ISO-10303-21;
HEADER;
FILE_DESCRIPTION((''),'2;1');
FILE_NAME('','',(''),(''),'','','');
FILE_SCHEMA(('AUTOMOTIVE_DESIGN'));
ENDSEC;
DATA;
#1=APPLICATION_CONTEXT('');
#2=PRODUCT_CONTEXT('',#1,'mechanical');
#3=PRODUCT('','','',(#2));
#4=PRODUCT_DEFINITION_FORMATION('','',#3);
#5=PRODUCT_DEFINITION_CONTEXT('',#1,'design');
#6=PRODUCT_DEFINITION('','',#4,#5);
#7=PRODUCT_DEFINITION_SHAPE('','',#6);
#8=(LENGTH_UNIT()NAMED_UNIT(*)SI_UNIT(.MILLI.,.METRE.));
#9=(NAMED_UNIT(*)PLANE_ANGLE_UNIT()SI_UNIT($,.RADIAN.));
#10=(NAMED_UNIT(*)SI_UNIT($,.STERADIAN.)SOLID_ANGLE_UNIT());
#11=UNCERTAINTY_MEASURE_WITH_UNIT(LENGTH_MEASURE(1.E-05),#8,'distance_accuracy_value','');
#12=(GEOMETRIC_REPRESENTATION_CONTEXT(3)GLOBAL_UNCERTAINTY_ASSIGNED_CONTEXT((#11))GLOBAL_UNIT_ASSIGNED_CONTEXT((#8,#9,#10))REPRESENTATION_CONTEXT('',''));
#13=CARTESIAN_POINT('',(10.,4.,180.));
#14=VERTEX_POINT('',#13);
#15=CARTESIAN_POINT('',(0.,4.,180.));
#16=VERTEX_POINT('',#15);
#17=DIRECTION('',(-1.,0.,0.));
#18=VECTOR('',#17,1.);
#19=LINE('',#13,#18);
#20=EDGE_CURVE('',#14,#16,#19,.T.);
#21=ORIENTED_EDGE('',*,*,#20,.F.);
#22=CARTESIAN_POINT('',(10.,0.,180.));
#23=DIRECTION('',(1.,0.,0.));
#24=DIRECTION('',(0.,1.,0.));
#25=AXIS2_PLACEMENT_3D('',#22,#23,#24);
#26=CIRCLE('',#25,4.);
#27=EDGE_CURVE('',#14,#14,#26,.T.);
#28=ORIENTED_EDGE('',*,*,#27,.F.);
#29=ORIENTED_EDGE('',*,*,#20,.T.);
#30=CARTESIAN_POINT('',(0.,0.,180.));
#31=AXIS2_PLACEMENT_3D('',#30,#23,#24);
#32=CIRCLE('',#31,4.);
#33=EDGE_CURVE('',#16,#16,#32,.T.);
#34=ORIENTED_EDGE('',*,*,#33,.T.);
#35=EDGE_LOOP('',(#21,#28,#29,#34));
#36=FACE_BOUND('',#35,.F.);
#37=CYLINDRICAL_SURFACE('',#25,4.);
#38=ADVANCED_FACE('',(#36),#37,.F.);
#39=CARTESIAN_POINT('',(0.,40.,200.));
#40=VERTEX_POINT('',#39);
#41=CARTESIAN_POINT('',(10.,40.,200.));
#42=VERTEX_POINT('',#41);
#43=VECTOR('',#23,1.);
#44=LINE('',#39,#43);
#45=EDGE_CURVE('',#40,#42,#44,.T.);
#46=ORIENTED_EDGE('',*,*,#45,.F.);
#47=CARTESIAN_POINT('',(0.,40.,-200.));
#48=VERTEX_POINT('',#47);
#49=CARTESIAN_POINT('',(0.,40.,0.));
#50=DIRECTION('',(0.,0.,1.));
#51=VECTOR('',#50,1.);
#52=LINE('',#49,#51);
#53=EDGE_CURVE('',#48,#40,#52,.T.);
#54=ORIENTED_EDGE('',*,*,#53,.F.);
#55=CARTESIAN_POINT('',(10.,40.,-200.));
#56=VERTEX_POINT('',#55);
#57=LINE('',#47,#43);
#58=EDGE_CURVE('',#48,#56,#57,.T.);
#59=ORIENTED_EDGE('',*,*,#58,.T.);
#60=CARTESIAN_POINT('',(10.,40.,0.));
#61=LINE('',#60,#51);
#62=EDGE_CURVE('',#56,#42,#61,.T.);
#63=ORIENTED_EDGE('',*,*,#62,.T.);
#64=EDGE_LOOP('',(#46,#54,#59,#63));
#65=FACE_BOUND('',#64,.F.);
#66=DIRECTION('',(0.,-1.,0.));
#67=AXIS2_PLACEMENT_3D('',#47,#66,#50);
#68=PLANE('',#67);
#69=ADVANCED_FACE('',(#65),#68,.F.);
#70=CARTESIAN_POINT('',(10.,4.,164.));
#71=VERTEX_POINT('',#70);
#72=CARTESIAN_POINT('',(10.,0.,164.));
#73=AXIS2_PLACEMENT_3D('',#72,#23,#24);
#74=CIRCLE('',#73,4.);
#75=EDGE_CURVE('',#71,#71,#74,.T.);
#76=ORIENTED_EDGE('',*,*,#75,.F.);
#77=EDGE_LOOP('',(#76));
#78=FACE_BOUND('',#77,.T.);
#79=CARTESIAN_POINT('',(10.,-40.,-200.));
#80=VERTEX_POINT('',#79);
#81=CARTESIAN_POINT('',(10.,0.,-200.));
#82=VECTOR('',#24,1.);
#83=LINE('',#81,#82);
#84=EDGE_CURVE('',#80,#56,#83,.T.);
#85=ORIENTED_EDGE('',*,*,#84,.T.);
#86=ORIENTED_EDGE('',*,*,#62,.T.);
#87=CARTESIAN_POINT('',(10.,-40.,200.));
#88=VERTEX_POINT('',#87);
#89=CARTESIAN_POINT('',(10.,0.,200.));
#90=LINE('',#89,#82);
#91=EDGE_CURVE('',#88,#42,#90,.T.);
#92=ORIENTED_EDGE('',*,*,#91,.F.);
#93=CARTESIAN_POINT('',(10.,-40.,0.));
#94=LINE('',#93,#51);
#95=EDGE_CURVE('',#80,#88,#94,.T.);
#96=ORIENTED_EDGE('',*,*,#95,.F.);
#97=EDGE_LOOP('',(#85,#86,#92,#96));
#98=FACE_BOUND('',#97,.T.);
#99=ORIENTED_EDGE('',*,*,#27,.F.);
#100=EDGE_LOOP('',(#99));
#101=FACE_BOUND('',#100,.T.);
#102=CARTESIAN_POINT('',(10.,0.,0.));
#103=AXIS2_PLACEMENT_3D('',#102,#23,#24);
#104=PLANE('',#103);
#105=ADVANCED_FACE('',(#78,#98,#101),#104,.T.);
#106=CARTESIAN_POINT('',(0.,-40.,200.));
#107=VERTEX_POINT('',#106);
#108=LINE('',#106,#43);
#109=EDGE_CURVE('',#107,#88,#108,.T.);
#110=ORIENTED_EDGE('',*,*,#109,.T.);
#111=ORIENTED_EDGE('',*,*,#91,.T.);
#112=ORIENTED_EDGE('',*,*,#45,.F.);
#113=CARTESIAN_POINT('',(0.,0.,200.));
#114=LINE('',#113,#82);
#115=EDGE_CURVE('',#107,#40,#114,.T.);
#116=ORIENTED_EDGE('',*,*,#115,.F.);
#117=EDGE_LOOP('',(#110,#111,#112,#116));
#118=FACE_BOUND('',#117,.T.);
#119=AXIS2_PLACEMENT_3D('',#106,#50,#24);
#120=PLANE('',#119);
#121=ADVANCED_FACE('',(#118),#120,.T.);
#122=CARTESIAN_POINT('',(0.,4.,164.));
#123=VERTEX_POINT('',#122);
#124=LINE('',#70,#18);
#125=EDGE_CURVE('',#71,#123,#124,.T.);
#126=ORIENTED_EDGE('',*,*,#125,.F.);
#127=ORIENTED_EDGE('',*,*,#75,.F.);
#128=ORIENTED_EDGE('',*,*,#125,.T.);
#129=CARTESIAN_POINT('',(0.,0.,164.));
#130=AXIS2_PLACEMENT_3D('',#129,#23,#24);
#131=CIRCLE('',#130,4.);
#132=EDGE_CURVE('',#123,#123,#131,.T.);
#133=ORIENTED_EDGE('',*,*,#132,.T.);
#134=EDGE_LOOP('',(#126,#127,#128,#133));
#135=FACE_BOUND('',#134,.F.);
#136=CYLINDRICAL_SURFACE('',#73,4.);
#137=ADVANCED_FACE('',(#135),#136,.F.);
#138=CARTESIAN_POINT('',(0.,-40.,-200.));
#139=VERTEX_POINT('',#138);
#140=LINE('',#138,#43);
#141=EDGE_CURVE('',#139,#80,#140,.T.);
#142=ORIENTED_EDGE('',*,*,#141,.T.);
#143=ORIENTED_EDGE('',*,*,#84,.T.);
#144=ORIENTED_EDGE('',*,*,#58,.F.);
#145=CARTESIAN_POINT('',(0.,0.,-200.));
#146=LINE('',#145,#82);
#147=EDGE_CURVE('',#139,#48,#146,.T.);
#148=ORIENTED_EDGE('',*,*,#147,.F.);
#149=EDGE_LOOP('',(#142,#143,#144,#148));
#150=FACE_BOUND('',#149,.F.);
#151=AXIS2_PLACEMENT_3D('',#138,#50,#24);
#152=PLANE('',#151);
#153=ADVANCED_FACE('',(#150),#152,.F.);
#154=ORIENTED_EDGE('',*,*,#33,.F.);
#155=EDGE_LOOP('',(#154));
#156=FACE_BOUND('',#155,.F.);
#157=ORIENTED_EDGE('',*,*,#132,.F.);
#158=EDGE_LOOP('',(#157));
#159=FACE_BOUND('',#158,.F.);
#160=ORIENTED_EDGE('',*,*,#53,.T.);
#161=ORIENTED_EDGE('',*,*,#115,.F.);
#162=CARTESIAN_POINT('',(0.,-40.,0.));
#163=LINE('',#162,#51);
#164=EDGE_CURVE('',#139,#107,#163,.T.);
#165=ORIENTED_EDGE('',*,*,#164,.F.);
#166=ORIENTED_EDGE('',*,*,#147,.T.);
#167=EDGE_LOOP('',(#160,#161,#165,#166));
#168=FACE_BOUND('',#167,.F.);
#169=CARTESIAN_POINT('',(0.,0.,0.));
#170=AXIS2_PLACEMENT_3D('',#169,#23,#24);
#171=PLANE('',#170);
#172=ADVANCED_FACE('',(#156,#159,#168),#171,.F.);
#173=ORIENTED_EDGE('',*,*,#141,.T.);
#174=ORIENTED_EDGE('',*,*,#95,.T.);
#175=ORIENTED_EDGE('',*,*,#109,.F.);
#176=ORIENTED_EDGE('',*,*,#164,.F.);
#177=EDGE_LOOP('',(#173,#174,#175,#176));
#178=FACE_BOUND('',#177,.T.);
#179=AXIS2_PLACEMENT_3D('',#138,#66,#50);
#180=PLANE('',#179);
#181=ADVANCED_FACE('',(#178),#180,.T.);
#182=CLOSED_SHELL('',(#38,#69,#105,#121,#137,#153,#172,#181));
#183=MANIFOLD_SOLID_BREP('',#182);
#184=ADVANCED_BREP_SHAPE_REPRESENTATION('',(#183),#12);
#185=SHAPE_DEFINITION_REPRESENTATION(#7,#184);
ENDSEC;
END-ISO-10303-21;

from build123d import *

# Parameters (mm, degrees)
SKETCH_W     = 80
SKETCH_H     = 400
PAD_DEPTH    = 10
SKETCH001_R  = 4
POCKET_DEPTH = 10


with BuildPart() as part:
    # Sketch → Pad (new body)
    with BuildSketch(Plane.YZ):
        Rectangle(SKETCH_W, SKETCH_H)
    extrude(amount=PAD_DEPTH)

    # Sketch001 → Pocket (cut)
    with BuildSketch(Plane.YZ.offset(10)):
        with Locations((0, 180)):
            Circle(SKETCH001_R)
        with Locations((0, 164)):
            Circle(SKETCH001_R)
    extrude(amount=-POCKET_DEPTH, mode=Mode.SUBTRACT)


solid = part.part
